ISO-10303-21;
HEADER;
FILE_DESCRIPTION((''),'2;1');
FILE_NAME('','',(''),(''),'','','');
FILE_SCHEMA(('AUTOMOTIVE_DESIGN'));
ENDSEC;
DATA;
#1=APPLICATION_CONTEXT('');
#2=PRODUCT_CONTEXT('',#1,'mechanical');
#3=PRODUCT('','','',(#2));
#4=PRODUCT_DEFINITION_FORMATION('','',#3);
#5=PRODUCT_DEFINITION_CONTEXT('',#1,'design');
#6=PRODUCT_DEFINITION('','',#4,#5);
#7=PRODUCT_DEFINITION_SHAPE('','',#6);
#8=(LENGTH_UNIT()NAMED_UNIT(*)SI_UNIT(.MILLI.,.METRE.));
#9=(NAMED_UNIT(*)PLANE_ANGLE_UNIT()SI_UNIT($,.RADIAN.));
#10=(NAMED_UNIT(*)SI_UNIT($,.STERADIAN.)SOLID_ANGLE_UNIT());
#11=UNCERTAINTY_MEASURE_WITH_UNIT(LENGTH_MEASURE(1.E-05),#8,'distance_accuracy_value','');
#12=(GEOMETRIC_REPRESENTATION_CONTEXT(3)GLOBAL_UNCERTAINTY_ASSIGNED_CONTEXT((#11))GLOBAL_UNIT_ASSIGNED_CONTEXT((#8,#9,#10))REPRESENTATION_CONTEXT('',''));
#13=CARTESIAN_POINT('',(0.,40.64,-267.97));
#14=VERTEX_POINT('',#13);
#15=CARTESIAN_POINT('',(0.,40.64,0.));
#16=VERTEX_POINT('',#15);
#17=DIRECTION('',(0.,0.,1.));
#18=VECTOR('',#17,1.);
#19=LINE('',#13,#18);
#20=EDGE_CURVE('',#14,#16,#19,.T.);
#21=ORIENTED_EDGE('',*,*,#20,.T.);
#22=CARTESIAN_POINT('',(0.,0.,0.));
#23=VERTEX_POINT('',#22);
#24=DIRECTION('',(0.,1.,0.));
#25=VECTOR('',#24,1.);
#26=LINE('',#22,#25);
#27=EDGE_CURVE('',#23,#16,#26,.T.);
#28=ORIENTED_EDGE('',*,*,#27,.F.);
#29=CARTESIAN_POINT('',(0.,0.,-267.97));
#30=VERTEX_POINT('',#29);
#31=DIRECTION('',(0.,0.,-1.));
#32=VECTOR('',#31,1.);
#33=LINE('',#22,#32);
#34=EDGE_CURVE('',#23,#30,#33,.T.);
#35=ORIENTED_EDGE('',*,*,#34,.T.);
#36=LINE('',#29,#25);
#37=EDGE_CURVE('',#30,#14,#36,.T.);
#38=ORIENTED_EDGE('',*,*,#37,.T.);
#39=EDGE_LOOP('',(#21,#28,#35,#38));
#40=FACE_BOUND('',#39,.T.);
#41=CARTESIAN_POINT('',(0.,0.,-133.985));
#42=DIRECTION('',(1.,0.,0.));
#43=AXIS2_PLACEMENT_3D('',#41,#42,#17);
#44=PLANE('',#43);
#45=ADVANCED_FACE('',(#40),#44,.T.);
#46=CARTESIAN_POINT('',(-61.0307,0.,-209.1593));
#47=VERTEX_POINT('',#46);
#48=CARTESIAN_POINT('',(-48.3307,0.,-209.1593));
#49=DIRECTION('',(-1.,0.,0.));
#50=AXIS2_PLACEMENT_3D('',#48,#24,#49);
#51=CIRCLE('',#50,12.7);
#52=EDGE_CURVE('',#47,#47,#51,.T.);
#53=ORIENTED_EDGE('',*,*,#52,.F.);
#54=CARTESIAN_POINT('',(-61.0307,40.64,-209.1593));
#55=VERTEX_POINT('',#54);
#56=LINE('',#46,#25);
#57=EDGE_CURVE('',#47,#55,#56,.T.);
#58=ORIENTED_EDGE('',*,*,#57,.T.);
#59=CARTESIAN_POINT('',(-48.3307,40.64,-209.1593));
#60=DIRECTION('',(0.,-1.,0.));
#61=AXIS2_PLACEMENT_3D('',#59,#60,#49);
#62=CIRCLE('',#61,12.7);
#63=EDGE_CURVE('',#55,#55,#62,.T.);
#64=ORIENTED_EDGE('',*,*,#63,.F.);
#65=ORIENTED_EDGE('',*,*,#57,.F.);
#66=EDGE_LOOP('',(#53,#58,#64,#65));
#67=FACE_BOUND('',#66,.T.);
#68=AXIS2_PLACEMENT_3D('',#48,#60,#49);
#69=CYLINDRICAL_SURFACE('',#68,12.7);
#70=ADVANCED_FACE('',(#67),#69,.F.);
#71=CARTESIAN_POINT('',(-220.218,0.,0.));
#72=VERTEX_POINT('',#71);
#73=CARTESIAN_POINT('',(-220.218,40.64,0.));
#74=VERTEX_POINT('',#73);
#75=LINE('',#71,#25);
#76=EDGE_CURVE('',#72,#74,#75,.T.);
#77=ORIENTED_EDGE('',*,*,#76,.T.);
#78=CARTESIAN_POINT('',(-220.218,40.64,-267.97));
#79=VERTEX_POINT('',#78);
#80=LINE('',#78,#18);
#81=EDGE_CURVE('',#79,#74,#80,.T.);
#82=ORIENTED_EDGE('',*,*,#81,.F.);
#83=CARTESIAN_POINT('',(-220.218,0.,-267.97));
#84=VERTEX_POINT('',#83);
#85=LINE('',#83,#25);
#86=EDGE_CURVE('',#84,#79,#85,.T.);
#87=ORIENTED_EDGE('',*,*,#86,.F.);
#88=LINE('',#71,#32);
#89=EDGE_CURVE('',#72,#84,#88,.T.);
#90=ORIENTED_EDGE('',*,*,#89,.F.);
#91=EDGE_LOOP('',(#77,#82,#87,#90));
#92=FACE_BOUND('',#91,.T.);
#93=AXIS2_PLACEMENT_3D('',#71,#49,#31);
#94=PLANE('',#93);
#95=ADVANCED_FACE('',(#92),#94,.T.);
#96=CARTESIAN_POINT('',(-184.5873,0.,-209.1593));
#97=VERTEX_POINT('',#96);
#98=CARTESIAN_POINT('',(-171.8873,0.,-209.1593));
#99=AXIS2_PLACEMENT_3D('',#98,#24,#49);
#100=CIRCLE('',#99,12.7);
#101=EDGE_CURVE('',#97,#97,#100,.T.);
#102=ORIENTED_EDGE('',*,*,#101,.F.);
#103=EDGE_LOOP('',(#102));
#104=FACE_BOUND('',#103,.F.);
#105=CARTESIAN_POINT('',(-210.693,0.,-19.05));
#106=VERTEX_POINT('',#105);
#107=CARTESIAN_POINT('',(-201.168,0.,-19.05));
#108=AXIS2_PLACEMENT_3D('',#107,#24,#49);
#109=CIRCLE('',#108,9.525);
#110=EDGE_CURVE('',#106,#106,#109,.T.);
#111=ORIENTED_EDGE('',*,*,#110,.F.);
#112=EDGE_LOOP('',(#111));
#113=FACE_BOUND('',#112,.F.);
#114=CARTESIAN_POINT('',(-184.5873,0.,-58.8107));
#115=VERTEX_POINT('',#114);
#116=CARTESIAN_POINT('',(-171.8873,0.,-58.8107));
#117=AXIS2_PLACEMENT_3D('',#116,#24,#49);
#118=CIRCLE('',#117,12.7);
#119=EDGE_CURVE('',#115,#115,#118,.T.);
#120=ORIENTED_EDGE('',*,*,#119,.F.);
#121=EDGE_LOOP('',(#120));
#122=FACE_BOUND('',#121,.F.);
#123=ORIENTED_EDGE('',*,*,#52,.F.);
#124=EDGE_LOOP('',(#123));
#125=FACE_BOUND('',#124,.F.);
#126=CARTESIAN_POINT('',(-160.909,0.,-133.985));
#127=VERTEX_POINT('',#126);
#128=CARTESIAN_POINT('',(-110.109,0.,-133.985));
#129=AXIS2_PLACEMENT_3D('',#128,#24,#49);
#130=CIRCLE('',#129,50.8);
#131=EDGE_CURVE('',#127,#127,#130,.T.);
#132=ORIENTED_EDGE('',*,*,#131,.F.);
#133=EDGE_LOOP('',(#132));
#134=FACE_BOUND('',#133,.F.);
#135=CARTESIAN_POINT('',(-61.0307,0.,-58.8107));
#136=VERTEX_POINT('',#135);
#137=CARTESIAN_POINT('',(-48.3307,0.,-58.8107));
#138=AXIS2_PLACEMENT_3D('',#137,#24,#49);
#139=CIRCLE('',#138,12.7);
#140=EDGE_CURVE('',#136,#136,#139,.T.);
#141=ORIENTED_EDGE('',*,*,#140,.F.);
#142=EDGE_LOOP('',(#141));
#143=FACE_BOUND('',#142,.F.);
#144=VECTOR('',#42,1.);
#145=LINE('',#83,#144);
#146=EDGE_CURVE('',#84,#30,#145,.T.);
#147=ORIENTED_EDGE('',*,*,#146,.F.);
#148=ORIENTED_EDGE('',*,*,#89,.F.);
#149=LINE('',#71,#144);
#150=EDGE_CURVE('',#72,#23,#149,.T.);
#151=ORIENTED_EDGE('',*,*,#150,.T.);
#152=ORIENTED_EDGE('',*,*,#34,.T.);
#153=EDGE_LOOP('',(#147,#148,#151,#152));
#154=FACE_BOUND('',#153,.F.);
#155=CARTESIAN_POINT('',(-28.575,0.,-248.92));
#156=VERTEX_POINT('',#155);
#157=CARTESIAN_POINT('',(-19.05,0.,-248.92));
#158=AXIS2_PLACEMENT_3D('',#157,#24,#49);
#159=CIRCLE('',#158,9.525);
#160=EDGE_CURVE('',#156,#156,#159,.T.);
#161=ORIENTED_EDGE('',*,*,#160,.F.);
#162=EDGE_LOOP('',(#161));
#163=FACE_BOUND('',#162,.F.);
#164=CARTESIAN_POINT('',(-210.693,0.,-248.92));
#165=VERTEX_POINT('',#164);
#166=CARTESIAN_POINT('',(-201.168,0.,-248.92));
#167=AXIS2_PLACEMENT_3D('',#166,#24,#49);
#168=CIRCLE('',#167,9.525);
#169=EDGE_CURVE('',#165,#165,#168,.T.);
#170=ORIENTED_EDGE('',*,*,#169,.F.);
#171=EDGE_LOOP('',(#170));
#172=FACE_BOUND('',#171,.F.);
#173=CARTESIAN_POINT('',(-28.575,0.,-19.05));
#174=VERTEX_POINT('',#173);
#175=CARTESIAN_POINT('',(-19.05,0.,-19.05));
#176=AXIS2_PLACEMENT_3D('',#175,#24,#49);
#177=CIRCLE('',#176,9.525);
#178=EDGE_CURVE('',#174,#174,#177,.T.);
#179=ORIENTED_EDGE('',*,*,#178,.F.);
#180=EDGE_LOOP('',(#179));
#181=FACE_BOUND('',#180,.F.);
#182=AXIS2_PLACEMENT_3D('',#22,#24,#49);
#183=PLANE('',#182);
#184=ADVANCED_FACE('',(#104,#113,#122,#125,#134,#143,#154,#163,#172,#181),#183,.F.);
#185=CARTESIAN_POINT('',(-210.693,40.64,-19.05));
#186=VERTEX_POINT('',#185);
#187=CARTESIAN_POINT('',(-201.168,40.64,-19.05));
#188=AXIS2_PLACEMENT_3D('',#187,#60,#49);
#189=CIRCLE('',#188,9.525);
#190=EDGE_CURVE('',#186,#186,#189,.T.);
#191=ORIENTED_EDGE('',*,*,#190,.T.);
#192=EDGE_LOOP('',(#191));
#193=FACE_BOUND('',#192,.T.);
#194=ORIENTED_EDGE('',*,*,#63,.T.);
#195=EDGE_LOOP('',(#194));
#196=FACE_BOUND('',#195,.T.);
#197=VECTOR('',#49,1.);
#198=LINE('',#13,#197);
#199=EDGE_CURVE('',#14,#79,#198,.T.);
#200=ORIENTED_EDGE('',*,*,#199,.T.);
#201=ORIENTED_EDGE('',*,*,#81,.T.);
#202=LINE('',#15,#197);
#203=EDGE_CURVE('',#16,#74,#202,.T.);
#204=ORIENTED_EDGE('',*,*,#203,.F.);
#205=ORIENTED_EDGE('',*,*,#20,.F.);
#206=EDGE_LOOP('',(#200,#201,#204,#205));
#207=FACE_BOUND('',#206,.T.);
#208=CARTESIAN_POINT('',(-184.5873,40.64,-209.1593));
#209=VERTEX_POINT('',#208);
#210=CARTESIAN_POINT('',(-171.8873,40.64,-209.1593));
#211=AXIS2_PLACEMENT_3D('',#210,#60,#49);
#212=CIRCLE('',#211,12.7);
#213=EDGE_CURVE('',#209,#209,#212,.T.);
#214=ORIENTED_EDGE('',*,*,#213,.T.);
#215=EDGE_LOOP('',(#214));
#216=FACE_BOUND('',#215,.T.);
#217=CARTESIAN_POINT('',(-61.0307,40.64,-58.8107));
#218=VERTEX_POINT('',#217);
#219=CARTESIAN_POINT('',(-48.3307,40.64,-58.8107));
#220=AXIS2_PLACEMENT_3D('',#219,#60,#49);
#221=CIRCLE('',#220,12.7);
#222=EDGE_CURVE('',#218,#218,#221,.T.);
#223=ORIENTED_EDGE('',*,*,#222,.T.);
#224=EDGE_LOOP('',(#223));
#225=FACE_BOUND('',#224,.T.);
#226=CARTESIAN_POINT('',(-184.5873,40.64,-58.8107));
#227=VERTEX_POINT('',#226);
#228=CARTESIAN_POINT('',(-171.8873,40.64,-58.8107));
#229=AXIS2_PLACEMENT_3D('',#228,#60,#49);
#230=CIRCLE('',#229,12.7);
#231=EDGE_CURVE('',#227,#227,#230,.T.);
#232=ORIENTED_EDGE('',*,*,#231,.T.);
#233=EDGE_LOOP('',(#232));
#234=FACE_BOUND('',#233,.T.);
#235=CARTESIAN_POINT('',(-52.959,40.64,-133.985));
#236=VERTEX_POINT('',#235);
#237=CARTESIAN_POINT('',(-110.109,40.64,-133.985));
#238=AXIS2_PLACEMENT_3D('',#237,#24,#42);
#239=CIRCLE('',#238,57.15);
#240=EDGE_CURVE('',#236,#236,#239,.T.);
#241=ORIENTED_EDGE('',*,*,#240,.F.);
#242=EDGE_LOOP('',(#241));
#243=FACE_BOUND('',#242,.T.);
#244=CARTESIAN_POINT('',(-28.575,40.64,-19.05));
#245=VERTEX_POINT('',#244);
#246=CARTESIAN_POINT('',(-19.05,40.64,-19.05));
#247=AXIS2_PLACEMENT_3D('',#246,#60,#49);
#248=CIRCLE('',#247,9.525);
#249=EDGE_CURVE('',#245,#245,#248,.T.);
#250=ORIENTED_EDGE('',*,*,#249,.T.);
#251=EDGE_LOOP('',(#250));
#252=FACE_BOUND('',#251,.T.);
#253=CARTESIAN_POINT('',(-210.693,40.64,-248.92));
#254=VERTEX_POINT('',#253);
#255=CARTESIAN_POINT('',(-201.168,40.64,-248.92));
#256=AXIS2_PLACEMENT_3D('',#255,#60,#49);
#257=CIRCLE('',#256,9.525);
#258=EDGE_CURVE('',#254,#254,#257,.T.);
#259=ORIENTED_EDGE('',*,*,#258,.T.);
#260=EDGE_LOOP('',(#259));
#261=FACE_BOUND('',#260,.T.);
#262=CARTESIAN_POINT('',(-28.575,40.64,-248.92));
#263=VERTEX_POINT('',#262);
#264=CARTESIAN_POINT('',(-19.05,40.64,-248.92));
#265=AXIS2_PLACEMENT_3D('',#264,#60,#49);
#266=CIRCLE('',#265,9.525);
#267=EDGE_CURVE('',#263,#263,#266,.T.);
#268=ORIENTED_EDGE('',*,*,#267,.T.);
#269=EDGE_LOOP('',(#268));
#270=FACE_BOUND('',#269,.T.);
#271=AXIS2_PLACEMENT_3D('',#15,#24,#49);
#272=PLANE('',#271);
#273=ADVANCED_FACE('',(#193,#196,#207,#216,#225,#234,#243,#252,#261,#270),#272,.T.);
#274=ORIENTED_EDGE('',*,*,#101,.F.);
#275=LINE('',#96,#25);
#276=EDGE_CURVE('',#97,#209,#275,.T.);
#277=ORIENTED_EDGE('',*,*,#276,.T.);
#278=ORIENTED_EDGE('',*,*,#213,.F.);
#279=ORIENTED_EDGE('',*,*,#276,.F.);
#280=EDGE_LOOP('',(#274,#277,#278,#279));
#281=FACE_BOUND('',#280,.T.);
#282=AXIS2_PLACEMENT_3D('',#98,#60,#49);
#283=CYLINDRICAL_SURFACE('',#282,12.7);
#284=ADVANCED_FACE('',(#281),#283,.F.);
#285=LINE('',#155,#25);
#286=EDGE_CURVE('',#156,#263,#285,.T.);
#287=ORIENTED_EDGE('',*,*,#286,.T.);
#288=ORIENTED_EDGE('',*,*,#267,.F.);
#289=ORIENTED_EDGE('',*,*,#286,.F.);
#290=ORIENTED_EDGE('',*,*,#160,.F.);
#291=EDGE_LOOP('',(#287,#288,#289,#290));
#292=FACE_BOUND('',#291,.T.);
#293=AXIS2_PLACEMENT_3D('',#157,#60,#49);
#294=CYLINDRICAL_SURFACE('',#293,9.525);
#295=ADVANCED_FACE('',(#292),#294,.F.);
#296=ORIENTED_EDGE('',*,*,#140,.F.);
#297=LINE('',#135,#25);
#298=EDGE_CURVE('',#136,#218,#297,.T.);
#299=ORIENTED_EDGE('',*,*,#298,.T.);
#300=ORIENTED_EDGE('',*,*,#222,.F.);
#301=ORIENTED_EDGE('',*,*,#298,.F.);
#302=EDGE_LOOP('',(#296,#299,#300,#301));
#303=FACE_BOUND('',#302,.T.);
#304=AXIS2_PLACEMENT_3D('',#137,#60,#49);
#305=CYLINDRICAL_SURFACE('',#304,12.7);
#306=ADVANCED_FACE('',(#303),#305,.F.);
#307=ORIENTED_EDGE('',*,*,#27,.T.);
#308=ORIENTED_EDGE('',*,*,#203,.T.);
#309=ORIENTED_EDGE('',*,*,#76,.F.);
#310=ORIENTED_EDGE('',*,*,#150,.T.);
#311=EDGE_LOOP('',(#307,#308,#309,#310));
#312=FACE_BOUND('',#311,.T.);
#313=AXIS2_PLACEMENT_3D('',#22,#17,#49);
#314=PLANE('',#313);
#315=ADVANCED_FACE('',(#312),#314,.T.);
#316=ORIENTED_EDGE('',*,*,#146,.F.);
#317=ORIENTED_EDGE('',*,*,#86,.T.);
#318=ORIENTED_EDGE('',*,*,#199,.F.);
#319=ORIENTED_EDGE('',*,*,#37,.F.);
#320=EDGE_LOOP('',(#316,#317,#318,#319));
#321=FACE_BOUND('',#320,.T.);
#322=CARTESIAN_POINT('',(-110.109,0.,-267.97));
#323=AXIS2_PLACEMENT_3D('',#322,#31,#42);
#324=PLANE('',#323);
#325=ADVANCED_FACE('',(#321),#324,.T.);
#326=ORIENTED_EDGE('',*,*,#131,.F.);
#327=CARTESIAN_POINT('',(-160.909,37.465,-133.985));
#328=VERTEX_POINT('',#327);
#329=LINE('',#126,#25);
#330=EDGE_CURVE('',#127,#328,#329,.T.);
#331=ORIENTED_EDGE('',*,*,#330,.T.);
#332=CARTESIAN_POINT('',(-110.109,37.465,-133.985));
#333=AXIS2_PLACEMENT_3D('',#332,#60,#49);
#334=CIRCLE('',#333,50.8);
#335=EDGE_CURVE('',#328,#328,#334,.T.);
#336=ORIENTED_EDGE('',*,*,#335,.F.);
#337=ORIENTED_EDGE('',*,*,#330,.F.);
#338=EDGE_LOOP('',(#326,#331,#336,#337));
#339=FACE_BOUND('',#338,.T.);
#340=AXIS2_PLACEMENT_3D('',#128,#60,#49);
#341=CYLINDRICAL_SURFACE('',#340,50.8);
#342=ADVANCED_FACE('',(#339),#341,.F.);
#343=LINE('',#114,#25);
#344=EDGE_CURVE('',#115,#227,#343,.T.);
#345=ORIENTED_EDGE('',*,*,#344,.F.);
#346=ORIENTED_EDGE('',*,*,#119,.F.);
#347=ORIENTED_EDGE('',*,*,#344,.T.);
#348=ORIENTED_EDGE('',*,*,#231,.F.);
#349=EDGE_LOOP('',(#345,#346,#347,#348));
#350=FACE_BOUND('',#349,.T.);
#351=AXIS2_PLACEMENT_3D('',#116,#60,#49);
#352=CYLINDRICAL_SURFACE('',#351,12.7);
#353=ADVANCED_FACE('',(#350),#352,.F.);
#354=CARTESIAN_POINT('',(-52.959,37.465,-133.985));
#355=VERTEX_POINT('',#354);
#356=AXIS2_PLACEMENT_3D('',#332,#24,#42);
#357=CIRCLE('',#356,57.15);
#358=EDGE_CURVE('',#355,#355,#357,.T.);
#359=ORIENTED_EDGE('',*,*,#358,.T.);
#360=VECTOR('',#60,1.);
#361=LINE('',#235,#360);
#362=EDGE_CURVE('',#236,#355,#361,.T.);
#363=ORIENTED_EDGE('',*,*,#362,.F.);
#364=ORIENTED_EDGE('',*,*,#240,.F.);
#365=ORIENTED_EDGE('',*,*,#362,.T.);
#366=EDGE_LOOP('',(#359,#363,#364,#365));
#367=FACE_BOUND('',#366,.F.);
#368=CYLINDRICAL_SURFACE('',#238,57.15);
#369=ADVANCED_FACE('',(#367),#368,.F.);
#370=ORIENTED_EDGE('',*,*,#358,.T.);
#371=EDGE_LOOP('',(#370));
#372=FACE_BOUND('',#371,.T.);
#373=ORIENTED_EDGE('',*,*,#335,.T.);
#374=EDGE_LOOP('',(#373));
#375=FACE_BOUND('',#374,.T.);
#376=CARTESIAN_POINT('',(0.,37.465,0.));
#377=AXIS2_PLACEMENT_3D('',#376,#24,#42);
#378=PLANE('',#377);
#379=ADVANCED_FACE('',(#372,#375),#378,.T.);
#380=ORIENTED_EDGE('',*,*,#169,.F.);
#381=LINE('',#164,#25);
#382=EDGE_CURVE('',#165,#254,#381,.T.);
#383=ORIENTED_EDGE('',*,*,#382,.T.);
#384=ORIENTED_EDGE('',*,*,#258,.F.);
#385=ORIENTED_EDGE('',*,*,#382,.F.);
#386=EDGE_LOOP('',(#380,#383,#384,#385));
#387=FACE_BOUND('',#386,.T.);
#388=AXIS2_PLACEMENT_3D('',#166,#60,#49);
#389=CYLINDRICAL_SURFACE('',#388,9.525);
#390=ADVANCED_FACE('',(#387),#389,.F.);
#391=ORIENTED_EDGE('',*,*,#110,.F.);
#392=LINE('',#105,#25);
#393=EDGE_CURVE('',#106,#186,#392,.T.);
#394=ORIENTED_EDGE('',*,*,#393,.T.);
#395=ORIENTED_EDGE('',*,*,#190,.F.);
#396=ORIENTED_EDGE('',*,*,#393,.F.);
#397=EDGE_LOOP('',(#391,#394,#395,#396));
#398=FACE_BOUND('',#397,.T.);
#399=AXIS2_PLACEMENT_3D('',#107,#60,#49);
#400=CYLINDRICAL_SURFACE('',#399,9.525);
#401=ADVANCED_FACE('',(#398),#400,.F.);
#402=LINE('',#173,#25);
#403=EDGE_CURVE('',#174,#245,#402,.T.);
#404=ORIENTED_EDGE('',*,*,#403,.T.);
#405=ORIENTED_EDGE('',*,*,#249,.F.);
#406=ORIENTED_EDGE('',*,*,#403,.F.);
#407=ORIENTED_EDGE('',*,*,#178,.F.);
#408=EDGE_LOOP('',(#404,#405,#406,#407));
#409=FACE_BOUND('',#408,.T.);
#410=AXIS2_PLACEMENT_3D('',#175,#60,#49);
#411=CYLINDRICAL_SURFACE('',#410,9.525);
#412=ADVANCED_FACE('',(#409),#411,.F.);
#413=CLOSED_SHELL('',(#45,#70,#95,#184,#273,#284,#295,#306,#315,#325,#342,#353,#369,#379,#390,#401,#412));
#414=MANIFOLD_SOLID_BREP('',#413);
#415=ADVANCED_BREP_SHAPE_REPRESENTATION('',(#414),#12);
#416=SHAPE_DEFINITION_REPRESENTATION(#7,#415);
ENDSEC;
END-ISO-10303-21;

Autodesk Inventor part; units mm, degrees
ref_plane "YZ Plane" through (0, 0, 0) normal (1, 0, 0) x (0, 1, 0)
ref_plane "XZ Plane" through (0, 0, 0) normal (0, 1, 0) x (-1, 0, 0)
ref_plane "XY Plane" through (0, 0, 0) normal (0, 0, 1) x (1, 0, 0)
sketch "Sketch1" plane through (0, 0, 0) normal (0, 1, 0) x (-1, 0, 0)
  line L0 (0, 0) -> (220.218, 0)
  line L1 (220.218, 0) -> (220.218, -267.97)
  line L2 (220.218, -267.97) -> (0, -267.97)
  line L3 (0, -267.97) -> (0, 0)
  circle A0 centre (110.109, -133.985) radius 57.15
  circle A1 centre (110.109, -133.985) radius 50.8
  line L4 (220.218, 0) -> (220.218, -25.4)
  line L5 (220.218, -133.985) -> (0, -133.985)
  line L6 (110.109, 0) -> (110.109, -267.97)
  line L7 (0, 0) -> (220.218, -267.97)
  line L8 (220.218, 0) -> (0, -267.97)
  line L9 (189.915, -36.8739) -> (146.3942, -89.8318)
  line L10 (220.218, -133.985) -> (167.259, -133.985)
  circle A2 centre (201.168, -248.92) radius 9.525
  circle A3 centre (201.168, -19.05) radius 9.525
  circle A4 centre (19.05, -248.92) radius 9.525
  circle A5 centre (19.05, -19.05) radius 9.525
  circle A6 centre (171.8873, -209.1593) radius 34.925
  circle A7 centre (48.3307, -209.1593) radius 34.925
  circle A8 centre (171.8873, -58.8107) radius 34.925
  circle A9 centre (48.3307, -58.8107) radius 34.925
  circle A10 centre (171.8873, -58.8107) radius 12.7
  circle A11 centre (171.8873, -209.1593) radius 12.7
  circle A12 centre (48.3307, -209.1593) radius 12.7
  circle A13 centre (48.3307, -58.8107) radius 12.7
  dimension "d0" = 220.218
  dimension "d1" = 267.97
  dimension "d11" = 114.3
  dimension "d12" = 101.6
  dimension "d40" = 69.85
  dimension "d41" = 25.4
  dimension "d42" = 25.4
extrude "Extrusion3" add sketch "Sketch1" along normal blind 40.64
extrude "Extrusion4" cut sketch "Sketch1" along normal blind 40.64 contours L6 L7 A1 | A1 L8 L6 | L5 L8 A1 | A1 L7 L5 | A1 L5 L8 | L7 A1 L6 | L5 A1 L7 | L6 A1 L8
sketch "Sketch3" plane through (0, 40.64, 0) normal (0, 1, 0) x (1, 0, 0)
  line L0 (0, 267.97) -> (-220.218, 267.97) projected
  line L1 (-220.218, 0) -> (0, 0) projected
  circle A0 centre (-110.109, 133.985) radius 57.15
  dimension "d21" = 114.3
extrude "Extrusion6" cut sketch "Sketch3" against normal blind 3.175
extrude "Extrusion8" cut sketch "Sketch1" along normal blind 87.3125 contours A5 L7 | L7 A5 | A3 L8 | L8 A3 | A4 L8 | L8 A4 | A2 L7 | L7 A2
extrude "Extrusion9" cut sketch "Sketch1" along normal blind 96.8375 contours A13 L7 | L7 A13 | A10 L8 | L8 A10 | A12 L8 | L8 A12 | A11 L7 | L7 A11
properties part number "Wash_Base_Middle"
